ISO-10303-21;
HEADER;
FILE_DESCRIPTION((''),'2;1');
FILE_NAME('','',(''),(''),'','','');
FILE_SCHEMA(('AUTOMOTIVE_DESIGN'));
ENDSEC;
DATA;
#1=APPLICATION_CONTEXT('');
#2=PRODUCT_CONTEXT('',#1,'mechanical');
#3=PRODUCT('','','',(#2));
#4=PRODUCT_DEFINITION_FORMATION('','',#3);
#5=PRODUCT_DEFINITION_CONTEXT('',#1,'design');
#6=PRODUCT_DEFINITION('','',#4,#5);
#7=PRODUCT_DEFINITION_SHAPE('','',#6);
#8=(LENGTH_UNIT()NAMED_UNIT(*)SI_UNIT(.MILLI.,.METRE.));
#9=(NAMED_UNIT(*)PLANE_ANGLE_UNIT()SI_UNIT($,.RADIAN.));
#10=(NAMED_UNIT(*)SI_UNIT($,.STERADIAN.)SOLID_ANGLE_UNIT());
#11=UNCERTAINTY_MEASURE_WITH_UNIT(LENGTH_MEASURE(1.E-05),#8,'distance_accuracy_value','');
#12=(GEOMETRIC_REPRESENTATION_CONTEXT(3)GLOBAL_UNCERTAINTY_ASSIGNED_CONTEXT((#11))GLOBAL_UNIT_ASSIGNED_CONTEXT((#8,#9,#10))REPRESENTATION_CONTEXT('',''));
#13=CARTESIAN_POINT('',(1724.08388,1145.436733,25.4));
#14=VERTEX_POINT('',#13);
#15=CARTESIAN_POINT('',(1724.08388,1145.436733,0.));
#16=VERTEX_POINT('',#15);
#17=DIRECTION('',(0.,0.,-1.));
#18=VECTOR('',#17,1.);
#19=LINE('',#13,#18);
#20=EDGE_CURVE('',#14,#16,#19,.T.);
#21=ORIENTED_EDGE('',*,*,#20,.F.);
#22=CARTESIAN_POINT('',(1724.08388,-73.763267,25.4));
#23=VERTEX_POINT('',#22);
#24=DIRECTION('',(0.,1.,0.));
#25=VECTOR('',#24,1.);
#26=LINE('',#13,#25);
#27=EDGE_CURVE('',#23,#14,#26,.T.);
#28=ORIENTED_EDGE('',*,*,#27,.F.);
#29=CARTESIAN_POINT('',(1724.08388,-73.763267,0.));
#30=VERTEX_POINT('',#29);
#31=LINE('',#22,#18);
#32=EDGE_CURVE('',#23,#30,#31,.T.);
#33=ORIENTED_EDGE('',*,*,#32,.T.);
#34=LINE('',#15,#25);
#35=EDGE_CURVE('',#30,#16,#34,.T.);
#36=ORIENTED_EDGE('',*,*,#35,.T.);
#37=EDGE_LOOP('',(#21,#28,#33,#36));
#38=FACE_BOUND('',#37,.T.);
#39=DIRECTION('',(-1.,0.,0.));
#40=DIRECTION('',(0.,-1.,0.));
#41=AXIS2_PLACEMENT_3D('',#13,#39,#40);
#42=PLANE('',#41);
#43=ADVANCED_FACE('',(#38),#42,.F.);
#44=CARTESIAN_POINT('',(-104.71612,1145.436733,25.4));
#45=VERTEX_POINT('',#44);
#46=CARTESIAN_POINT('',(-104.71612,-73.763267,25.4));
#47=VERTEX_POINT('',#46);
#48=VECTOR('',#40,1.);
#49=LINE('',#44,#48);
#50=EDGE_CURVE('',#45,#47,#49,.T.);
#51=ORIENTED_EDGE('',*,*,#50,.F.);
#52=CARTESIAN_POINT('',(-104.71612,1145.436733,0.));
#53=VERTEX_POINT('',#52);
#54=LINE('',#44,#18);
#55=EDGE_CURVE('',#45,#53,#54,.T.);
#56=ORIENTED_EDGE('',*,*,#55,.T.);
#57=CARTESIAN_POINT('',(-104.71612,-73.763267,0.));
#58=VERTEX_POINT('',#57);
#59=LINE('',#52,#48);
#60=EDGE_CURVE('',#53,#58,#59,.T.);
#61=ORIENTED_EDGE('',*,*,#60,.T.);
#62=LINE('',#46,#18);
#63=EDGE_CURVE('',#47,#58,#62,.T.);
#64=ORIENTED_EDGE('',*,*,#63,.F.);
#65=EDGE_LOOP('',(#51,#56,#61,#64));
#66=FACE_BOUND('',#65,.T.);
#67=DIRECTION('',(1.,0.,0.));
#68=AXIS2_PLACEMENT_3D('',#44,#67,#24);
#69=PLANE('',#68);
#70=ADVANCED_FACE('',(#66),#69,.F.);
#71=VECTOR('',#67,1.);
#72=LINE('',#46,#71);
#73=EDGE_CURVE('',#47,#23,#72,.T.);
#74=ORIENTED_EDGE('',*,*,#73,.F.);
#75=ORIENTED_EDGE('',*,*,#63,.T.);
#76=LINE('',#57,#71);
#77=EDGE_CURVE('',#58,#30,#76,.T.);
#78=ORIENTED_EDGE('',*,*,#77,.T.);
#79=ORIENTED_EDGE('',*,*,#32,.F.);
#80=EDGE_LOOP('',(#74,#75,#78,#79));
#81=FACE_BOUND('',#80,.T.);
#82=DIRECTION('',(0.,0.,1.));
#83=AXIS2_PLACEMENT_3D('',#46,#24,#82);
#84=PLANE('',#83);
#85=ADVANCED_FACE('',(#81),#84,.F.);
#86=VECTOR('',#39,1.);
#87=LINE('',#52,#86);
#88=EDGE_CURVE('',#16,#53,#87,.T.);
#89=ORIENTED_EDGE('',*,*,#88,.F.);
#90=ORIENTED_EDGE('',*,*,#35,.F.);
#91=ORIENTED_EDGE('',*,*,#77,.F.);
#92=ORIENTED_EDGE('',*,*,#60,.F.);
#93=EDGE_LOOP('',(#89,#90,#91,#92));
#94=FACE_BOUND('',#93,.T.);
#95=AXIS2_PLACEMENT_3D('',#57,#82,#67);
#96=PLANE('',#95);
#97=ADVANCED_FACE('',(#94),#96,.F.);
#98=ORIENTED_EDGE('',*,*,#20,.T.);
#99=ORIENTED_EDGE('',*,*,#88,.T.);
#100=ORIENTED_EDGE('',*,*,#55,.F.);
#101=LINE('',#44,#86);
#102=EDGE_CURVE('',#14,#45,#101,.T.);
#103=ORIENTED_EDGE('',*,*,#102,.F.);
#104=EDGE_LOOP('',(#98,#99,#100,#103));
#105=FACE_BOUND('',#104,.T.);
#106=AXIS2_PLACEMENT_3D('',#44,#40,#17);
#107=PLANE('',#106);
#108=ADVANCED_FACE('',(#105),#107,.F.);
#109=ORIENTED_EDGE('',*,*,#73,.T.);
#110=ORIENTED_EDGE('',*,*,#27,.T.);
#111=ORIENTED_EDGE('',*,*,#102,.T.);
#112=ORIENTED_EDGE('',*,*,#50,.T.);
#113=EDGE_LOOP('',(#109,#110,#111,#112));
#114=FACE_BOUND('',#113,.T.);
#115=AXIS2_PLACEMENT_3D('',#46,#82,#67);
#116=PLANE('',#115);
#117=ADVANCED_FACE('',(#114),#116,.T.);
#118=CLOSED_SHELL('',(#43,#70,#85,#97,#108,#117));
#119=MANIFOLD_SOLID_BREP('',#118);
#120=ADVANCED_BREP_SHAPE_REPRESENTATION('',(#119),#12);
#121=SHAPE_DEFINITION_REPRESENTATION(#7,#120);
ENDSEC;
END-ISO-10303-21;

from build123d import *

# Parameters (mm, degrees)
SKETCH1_W      = 1828.8
SKETCH1_H      = 1219.2
EXTRUDE1_DEPTH = 25.4


with BuildPart() as part:
    # Sketch1 → Extrude1 (new body)
    with BuildSketch(Plane.XY):
        with Locations((809.683880171, 535.836733238)):
            Rectangle(SKETCH1_W, SKETCH1_H)
    extrude(amount=EXTRUDE1_DEPTH)


solid = part.part
